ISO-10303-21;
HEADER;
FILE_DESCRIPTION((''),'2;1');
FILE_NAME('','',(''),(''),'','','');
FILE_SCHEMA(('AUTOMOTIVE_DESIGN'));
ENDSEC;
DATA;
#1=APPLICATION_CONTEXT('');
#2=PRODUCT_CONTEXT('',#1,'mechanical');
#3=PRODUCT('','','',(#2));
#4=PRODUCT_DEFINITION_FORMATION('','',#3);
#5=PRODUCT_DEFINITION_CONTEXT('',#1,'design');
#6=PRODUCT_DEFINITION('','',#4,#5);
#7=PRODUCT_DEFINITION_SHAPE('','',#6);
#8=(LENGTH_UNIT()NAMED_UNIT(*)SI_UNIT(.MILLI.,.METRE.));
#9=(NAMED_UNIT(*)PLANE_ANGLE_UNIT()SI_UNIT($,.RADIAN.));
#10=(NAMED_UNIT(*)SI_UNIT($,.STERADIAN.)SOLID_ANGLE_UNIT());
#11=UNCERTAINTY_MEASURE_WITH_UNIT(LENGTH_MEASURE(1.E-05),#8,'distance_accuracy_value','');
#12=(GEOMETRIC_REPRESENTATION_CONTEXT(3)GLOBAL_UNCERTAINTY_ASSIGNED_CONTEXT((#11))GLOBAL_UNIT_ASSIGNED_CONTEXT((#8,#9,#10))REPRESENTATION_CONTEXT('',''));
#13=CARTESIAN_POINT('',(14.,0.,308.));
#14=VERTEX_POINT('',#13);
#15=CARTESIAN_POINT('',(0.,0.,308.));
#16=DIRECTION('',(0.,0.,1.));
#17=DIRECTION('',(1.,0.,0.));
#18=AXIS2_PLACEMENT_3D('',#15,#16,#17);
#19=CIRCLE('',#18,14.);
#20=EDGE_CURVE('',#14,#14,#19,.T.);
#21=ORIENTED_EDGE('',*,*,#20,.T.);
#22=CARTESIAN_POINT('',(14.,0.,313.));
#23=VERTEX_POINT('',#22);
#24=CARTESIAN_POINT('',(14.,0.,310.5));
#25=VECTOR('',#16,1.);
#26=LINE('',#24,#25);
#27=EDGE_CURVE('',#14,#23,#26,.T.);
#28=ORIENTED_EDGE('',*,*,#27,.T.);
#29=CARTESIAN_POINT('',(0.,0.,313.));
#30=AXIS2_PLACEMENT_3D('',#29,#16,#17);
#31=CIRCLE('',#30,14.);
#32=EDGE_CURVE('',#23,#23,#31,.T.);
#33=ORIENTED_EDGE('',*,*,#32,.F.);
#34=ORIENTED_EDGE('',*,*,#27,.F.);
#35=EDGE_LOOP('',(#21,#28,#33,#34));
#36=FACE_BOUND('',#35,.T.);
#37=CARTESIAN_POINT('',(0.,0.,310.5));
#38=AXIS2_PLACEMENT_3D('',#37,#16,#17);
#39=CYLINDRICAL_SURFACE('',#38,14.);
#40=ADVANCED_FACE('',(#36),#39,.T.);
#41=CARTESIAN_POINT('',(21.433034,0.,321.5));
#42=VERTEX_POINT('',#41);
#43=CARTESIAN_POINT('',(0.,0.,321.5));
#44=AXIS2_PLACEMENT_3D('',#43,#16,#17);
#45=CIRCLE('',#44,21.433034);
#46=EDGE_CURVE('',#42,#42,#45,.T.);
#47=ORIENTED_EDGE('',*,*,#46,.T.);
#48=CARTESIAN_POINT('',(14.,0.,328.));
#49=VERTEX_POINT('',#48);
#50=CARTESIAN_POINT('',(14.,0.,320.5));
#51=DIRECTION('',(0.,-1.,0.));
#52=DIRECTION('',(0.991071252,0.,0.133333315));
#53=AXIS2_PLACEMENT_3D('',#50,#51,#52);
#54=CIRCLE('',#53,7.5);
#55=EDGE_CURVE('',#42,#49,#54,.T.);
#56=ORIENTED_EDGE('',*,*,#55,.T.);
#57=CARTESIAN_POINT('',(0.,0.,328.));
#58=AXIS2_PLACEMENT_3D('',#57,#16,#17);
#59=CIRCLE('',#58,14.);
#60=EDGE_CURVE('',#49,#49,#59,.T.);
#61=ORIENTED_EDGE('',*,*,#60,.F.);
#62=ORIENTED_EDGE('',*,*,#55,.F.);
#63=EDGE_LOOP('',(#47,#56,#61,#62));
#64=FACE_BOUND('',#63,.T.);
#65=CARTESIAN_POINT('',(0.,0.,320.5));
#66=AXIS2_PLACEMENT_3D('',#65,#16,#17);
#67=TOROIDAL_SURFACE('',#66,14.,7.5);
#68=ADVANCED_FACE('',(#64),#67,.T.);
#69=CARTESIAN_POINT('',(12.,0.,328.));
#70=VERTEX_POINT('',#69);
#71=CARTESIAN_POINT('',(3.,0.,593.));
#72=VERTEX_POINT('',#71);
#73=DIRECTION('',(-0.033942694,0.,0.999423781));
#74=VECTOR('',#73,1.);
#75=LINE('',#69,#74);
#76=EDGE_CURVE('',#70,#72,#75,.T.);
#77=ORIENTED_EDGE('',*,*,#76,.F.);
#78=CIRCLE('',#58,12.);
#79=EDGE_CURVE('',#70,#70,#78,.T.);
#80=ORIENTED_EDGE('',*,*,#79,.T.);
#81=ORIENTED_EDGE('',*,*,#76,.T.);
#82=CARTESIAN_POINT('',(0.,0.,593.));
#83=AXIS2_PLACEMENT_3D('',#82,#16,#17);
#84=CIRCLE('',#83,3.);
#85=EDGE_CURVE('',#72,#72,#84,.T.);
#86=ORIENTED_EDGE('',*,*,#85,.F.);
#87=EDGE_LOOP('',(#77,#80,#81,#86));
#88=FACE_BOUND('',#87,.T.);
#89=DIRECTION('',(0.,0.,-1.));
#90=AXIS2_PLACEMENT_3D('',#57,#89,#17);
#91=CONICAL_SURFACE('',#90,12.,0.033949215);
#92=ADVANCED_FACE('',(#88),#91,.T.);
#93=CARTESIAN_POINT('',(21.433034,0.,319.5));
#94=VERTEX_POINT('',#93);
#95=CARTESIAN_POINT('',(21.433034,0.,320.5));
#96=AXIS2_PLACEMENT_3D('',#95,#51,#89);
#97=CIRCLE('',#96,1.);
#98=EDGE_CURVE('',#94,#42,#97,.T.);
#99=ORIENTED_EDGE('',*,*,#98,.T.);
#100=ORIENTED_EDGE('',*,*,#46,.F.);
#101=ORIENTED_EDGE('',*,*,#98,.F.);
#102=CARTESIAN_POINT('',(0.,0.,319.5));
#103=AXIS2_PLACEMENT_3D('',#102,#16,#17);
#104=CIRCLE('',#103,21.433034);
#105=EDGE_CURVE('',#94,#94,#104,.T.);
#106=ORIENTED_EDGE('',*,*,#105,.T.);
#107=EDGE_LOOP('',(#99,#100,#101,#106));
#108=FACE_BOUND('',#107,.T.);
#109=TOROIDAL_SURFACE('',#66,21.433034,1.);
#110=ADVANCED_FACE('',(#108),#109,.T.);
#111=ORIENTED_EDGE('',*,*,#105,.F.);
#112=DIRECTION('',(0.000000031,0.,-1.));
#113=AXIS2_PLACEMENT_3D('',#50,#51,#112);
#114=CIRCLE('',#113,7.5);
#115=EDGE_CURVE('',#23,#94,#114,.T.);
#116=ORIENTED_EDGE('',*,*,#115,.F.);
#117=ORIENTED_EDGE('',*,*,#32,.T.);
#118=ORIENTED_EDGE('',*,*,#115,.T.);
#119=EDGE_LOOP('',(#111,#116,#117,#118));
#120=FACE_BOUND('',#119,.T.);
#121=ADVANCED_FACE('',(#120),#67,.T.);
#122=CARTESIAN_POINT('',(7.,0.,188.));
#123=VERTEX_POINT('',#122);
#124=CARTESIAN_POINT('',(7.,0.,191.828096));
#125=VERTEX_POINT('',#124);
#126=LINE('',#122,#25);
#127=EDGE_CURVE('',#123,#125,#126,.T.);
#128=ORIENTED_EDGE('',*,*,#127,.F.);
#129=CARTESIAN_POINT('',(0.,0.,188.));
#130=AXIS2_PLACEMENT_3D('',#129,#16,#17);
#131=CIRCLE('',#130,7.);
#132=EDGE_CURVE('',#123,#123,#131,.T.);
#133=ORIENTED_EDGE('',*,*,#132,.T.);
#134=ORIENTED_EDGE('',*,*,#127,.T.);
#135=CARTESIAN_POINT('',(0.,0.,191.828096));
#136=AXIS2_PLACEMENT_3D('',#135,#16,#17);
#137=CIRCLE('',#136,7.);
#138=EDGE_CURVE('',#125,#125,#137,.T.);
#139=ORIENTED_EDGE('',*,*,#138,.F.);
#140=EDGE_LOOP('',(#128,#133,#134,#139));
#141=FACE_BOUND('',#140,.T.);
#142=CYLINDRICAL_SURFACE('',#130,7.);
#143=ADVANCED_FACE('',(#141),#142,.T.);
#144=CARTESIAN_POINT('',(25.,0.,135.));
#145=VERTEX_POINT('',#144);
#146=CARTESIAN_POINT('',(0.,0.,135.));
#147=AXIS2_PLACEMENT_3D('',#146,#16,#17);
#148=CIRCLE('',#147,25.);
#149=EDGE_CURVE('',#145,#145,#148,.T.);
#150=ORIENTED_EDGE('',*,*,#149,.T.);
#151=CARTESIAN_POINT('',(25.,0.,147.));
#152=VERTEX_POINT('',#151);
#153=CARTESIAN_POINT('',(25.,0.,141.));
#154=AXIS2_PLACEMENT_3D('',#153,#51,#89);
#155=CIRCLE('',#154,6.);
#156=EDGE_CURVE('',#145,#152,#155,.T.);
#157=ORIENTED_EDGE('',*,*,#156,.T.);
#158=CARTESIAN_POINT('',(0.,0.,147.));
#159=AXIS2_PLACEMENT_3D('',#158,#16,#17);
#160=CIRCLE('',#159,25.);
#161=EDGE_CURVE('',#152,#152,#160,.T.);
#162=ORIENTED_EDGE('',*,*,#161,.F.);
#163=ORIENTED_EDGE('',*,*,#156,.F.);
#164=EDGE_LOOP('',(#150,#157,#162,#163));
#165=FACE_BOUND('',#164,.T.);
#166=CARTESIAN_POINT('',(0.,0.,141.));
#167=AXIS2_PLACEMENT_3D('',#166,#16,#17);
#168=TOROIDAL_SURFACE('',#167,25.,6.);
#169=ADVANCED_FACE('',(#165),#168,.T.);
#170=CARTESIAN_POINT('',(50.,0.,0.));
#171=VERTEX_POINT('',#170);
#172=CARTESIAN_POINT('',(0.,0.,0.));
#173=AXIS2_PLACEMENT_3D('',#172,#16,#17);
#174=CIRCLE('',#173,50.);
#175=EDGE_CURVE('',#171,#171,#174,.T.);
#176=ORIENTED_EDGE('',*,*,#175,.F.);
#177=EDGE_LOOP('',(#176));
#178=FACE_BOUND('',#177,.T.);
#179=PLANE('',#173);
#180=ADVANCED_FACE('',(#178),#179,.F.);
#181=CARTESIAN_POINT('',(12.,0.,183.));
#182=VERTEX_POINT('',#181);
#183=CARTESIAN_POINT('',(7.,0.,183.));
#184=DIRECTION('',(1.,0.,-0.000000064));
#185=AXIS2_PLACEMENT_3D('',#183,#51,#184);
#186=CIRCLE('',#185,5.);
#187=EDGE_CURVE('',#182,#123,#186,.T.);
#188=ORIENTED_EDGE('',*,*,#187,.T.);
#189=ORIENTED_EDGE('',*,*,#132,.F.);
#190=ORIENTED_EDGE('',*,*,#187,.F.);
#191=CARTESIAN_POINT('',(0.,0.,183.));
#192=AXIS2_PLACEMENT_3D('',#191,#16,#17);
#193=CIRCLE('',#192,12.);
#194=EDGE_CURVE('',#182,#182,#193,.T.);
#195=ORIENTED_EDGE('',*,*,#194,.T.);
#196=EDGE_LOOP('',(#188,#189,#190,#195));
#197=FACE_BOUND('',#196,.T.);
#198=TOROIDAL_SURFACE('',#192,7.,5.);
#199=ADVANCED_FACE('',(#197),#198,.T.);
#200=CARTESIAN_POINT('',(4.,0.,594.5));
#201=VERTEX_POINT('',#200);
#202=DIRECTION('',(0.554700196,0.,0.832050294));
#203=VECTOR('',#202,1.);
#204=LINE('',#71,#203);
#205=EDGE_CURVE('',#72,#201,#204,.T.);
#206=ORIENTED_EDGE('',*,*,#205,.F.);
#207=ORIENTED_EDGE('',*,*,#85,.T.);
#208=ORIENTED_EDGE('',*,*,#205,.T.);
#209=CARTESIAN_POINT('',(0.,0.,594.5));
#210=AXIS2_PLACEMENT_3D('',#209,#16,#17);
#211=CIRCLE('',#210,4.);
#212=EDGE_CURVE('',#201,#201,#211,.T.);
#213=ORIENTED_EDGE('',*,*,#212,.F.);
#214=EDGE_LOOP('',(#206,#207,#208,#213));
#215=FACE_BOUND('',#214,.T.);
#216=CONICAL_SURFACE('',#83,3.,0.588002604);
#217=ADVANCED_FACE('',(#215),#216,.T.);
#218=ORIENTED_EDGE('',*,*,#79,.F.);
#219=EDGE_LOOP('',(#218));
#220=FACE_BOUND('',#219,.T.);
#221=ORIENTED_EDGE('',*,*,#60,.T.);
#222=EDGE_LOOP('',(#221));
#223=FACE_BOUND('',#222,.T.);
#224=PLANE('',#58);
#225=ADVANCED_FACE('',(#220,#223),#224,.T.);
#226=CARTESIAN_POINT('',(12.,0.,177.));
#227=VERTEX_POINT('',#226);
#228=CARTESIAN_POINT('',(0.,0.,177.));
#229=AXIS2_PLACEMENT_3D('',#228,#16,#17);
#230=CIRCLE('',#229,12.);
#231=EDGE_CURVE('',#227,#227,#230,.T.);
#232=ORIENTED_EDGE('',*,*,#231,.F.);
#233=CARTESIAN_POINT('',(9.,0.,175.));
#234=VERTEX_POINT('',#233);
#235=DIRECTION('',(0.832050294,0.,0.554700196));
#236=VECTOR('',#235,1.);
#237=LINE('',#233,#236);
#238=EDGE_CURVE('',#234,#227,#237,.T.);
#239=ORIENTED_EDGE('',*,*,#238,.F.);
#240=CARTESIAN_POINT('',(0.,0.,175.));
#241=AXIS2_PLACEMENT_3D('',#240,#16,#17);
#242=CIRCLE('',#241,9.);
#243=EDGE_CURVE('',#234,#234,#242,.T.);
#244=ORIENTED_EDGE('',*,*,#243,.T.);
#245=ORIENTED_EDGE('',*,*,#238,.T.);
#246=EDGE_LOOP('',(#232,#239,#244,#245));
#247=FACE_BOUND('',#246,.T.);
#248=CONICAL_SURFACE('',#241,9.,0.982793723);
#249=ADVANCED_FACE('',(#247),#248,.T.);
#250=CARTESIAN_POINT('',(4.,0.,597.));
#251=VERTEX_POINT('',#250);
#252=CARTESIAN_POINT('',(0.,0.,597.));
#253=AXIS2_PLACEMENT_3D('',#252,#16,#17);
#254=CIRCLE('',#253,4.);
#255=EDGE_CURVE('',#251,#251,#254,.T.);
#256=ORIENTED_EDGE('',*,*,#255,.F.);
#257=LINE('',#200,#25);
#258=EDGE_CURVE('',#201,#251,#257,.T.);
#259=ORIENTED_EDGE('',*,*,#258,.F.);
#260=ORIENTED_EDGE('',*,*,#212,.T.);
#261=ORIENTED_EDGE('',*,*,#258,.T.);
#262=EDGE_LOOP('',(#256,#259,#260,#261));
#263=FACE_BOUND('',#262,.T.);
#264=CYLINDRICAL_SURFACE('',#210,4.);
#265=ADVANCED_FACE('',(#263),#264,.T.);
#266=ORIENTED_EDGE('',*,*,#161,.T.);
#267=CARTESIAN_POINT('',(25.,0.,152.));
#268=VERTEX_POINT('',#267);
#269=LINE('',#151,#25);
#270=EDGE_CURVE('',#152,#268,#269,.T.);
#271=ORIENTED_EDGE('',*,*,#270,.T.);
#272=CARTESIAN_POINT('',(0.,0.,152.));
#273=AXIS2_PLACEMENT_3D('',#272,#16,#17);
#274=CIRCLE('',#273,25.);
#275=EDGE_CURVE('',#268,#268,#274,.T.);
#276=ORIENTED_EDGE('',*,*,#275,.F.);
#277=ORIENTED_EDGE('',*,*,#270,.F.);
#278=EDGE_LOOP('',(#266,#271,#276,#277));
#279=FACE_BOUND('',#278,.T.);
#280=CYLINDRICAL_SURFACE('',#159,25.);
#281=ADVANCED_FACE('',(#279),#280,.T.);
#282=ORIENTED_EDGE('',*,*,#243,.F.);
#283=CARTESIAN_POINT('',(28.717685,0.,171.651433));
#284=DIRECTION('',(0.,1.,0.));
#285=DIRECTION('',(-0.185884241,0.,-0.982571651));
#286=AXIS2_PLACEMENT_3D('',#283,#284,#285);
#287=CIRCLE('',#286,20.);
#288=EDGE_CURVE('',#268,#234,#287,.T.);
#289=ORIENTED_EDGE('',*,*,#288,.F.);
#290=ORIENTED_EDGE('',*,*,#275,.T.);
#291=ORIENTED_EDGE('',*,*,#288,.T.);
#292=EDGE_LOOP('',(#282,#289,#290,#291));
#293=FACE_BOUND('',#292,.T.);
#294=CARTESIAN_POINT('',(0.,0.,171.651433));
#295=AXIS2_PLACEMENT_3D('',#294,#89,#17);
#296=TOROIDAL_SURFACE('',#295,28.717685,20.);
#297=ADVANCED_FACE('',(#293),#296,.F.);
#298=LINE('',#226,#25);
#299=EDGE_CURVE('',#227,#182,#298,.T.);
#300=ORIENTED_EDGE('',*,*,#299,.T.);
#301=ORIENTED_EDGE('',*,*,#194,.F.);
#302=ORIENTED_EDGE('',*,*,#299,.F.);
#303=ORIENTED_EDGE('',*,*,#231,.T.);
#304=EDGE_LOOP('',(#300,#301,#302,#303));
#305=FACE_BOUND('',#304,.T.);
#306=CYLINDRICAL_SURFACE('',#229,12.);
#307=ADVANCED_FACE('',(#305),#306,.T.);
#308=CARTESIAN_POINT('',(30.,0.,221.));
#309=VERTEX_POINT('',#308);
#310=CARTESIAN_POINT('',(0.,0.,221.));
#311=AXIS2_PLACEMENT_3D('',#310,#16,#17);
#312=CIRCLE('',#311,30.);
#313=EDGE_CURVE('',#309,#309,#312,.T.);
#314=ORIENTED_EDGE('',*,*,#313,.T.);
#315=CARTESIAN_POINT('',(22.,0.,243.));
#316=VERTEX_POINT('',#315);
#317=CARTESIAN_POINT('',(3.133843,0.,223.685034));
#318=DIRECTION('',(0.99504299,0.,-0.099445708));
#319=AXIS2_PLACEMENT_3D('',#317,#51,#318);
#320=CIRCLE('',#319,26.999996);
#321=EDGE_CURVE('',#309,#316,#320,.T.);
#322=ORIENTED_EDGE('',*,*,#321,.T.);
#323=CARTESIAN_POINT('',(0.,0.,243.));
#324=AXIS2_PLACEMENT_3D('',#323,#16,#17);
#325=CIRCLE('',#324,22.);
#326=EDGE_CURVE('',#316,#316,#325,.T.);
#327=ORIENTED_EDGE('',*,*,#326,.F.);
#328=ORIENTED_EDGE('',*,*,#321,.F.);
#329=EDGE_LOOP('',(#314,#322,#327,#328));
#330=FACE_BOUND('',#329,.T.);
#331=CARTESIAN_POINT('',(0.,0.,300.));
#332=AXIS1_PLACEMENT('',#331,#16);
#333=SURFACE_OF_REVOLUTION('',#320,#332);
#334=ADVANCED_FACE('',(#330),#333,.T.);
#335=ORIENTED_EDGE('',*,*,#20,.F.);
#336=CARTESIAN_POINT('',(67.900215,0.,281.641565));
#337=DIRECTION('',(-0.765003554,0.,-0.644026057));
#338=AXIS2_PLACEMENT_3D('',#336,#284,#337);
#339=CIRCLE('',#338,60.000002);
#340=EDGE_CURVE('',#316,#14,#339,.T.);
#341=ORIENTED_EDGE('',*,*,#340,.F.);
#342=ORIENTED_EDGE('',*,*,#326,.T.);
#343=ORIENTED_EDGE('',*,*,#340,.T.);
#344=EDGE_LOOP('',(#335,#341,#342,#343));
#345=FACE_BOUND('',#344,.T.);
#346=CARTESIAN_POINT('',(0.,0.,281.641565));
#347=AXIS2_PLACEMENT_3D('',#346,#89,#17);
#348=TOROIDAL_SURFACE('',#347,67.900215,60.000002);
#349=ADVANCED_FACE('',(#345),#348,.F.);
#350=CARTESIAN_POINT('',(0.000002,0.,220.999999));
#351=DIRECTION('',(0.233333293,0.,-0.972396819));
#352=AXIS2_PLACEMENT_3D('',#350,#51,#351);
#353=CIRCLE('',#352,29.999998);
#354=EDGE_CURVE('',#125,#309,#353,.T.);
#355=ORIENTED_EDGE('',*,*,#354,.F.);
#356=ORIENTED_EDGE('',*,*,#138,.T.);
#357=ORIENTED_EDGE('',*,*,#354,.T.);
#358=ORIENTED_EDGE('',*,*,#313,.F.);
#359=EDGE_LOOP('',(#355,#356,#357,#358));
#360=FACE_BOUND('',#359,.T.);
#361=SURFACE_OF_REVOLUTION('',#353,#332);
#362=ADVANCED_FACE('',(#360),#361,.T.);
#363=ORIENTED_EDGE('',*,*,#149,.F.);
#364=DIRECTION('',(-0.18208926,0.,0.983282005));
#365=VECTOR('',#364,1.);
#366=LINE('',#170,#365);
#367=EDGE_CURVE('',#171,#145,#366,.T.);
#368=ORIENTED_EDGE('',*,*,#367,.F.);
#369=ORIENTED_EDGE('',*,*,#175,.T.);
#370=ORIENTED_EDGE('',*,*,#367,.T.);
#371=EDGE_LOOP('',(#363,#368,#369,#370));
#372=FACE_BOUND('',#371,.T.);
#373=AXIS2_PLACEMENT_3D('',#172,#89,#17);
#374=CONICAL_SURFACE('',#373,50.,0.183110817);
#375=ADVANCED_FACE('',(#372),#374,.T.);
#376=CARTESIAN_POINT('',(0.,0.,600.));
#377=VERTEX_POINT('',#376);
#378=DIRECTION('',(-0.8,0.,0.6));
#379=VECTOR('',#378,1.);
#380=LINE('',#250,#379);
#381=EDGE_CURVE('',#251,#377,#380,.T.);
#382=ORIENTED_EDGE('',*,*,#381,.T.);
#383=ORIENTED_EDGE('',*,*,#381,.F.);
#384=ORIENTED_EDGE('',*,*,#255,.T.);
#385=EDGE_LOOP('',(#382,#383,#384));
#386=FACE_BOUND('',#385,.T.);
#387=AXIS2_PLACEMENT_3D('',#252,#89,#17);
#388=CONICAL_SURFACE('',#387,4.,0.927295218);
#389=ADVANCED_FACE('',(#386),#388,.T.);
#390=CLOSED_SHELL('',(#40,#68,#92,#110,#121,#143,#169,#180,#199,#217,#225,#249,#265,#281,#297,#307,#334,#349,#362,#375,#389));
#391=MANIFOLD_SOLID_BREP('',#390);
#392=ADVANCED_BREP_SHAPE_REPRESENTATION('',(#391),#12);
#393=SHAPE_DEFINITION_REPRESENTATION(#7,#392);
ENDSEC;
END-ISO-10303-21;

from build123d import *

# Parameters (mm, degrees)
F1_W = 14
F1_H = 5


with BuildPart() as f2:
    # F1 (on Front) → F2 (revolve)
    with BuildSketch(Plane.XZ):
        Polygon((0, 135), (0, 0), (50, 0), (25, 135), align=None)
        with BuildLine():
            Line((0, 147), (0, 135))
            Line((0, 135), (25, 135))
            ThreePointArc((25, 135), (31, 141), (25, 147))
            Line((25, 147), (0, 147))
        make_face()
        with BuildLine():
            Line((0, 175), (0, 147))
            Line((0, 147), (25, 147))
            Line((25, 147), (25, 152))
            ThreePointArc((25, 152), (12.299581, 160.230143), (9, 175))
            Line((9, 175), (0, 175))
        make_face()
        with BuildLine():
            Line((0, 188), (0, 175))
            Line((0, 175), (9, 175))
            Line((9, 175), (12, 177))
            Line((12, 177), (12, 183))
            ThreePointArc((12, 183), (10.535534, 186.535534), (7, 188))
            Line((7, 188), (0, 188))
        make_face()
        with BuildLine():
            Line((0, 191), (0, 188))
            Line((0, 188), (7, 188))
            Line((7, 188), (7, 191))
            Line((7, 191), (7, 191.828096))
            ThreePointArc((7, 191.828096), (3.524406, 191.207743), (0, 191))
        make_face()
        with BuildLine():
            Line((0, 221), (0, 191))
            ThreePointArc((0, 191), (3.524406, 191.207743), (7, 191.828096))
            ThreePointArc((7, 191.828096), (23.558438, 202.425824), (30, 221))
            Line((30, 221), (0, 221))
        make_face()
        with BuildLine():
            Line((0, 308), (0, 221))
            Line((0, 221), (30, 221))
            ThreePointArc((30, 221), (28.508262, 232.912095), (22, 243))
            ThreePointArc((22, 243), (8.349552, 274.312253), (14, 308))
            Line((14, 308), (0, 308))
        make_face()
        with Locations((7, 310.5)):
            Rectangle(F1_W, F1_H)
        with BuildLine():
            Line((0, 328), (0, 313))
            Line((0, 313), (14, 313))
            ThreePointArc((14, 313), (18.937104, 314.854205), (21.433034, 319.5))
            ThreePointArc((21.433034, 319.5), (22.433034, 320.5), (21.433034, 321.5))
            ThreePointArc((21.433034, 321.5), (18.937104, 326.145795), (14, 328))
            Line((14, 328), (12, 328))
            Line((12, 328), (0, 328))
        make_face()
        Polygon((0, 600), (0, 328), (12, 328), (3, 593), (4, 594.5), (4, 597), align=None)
    revolve(axis=Axis((0, 0, 300), (0, 0, 1)))


solid = f2.part
